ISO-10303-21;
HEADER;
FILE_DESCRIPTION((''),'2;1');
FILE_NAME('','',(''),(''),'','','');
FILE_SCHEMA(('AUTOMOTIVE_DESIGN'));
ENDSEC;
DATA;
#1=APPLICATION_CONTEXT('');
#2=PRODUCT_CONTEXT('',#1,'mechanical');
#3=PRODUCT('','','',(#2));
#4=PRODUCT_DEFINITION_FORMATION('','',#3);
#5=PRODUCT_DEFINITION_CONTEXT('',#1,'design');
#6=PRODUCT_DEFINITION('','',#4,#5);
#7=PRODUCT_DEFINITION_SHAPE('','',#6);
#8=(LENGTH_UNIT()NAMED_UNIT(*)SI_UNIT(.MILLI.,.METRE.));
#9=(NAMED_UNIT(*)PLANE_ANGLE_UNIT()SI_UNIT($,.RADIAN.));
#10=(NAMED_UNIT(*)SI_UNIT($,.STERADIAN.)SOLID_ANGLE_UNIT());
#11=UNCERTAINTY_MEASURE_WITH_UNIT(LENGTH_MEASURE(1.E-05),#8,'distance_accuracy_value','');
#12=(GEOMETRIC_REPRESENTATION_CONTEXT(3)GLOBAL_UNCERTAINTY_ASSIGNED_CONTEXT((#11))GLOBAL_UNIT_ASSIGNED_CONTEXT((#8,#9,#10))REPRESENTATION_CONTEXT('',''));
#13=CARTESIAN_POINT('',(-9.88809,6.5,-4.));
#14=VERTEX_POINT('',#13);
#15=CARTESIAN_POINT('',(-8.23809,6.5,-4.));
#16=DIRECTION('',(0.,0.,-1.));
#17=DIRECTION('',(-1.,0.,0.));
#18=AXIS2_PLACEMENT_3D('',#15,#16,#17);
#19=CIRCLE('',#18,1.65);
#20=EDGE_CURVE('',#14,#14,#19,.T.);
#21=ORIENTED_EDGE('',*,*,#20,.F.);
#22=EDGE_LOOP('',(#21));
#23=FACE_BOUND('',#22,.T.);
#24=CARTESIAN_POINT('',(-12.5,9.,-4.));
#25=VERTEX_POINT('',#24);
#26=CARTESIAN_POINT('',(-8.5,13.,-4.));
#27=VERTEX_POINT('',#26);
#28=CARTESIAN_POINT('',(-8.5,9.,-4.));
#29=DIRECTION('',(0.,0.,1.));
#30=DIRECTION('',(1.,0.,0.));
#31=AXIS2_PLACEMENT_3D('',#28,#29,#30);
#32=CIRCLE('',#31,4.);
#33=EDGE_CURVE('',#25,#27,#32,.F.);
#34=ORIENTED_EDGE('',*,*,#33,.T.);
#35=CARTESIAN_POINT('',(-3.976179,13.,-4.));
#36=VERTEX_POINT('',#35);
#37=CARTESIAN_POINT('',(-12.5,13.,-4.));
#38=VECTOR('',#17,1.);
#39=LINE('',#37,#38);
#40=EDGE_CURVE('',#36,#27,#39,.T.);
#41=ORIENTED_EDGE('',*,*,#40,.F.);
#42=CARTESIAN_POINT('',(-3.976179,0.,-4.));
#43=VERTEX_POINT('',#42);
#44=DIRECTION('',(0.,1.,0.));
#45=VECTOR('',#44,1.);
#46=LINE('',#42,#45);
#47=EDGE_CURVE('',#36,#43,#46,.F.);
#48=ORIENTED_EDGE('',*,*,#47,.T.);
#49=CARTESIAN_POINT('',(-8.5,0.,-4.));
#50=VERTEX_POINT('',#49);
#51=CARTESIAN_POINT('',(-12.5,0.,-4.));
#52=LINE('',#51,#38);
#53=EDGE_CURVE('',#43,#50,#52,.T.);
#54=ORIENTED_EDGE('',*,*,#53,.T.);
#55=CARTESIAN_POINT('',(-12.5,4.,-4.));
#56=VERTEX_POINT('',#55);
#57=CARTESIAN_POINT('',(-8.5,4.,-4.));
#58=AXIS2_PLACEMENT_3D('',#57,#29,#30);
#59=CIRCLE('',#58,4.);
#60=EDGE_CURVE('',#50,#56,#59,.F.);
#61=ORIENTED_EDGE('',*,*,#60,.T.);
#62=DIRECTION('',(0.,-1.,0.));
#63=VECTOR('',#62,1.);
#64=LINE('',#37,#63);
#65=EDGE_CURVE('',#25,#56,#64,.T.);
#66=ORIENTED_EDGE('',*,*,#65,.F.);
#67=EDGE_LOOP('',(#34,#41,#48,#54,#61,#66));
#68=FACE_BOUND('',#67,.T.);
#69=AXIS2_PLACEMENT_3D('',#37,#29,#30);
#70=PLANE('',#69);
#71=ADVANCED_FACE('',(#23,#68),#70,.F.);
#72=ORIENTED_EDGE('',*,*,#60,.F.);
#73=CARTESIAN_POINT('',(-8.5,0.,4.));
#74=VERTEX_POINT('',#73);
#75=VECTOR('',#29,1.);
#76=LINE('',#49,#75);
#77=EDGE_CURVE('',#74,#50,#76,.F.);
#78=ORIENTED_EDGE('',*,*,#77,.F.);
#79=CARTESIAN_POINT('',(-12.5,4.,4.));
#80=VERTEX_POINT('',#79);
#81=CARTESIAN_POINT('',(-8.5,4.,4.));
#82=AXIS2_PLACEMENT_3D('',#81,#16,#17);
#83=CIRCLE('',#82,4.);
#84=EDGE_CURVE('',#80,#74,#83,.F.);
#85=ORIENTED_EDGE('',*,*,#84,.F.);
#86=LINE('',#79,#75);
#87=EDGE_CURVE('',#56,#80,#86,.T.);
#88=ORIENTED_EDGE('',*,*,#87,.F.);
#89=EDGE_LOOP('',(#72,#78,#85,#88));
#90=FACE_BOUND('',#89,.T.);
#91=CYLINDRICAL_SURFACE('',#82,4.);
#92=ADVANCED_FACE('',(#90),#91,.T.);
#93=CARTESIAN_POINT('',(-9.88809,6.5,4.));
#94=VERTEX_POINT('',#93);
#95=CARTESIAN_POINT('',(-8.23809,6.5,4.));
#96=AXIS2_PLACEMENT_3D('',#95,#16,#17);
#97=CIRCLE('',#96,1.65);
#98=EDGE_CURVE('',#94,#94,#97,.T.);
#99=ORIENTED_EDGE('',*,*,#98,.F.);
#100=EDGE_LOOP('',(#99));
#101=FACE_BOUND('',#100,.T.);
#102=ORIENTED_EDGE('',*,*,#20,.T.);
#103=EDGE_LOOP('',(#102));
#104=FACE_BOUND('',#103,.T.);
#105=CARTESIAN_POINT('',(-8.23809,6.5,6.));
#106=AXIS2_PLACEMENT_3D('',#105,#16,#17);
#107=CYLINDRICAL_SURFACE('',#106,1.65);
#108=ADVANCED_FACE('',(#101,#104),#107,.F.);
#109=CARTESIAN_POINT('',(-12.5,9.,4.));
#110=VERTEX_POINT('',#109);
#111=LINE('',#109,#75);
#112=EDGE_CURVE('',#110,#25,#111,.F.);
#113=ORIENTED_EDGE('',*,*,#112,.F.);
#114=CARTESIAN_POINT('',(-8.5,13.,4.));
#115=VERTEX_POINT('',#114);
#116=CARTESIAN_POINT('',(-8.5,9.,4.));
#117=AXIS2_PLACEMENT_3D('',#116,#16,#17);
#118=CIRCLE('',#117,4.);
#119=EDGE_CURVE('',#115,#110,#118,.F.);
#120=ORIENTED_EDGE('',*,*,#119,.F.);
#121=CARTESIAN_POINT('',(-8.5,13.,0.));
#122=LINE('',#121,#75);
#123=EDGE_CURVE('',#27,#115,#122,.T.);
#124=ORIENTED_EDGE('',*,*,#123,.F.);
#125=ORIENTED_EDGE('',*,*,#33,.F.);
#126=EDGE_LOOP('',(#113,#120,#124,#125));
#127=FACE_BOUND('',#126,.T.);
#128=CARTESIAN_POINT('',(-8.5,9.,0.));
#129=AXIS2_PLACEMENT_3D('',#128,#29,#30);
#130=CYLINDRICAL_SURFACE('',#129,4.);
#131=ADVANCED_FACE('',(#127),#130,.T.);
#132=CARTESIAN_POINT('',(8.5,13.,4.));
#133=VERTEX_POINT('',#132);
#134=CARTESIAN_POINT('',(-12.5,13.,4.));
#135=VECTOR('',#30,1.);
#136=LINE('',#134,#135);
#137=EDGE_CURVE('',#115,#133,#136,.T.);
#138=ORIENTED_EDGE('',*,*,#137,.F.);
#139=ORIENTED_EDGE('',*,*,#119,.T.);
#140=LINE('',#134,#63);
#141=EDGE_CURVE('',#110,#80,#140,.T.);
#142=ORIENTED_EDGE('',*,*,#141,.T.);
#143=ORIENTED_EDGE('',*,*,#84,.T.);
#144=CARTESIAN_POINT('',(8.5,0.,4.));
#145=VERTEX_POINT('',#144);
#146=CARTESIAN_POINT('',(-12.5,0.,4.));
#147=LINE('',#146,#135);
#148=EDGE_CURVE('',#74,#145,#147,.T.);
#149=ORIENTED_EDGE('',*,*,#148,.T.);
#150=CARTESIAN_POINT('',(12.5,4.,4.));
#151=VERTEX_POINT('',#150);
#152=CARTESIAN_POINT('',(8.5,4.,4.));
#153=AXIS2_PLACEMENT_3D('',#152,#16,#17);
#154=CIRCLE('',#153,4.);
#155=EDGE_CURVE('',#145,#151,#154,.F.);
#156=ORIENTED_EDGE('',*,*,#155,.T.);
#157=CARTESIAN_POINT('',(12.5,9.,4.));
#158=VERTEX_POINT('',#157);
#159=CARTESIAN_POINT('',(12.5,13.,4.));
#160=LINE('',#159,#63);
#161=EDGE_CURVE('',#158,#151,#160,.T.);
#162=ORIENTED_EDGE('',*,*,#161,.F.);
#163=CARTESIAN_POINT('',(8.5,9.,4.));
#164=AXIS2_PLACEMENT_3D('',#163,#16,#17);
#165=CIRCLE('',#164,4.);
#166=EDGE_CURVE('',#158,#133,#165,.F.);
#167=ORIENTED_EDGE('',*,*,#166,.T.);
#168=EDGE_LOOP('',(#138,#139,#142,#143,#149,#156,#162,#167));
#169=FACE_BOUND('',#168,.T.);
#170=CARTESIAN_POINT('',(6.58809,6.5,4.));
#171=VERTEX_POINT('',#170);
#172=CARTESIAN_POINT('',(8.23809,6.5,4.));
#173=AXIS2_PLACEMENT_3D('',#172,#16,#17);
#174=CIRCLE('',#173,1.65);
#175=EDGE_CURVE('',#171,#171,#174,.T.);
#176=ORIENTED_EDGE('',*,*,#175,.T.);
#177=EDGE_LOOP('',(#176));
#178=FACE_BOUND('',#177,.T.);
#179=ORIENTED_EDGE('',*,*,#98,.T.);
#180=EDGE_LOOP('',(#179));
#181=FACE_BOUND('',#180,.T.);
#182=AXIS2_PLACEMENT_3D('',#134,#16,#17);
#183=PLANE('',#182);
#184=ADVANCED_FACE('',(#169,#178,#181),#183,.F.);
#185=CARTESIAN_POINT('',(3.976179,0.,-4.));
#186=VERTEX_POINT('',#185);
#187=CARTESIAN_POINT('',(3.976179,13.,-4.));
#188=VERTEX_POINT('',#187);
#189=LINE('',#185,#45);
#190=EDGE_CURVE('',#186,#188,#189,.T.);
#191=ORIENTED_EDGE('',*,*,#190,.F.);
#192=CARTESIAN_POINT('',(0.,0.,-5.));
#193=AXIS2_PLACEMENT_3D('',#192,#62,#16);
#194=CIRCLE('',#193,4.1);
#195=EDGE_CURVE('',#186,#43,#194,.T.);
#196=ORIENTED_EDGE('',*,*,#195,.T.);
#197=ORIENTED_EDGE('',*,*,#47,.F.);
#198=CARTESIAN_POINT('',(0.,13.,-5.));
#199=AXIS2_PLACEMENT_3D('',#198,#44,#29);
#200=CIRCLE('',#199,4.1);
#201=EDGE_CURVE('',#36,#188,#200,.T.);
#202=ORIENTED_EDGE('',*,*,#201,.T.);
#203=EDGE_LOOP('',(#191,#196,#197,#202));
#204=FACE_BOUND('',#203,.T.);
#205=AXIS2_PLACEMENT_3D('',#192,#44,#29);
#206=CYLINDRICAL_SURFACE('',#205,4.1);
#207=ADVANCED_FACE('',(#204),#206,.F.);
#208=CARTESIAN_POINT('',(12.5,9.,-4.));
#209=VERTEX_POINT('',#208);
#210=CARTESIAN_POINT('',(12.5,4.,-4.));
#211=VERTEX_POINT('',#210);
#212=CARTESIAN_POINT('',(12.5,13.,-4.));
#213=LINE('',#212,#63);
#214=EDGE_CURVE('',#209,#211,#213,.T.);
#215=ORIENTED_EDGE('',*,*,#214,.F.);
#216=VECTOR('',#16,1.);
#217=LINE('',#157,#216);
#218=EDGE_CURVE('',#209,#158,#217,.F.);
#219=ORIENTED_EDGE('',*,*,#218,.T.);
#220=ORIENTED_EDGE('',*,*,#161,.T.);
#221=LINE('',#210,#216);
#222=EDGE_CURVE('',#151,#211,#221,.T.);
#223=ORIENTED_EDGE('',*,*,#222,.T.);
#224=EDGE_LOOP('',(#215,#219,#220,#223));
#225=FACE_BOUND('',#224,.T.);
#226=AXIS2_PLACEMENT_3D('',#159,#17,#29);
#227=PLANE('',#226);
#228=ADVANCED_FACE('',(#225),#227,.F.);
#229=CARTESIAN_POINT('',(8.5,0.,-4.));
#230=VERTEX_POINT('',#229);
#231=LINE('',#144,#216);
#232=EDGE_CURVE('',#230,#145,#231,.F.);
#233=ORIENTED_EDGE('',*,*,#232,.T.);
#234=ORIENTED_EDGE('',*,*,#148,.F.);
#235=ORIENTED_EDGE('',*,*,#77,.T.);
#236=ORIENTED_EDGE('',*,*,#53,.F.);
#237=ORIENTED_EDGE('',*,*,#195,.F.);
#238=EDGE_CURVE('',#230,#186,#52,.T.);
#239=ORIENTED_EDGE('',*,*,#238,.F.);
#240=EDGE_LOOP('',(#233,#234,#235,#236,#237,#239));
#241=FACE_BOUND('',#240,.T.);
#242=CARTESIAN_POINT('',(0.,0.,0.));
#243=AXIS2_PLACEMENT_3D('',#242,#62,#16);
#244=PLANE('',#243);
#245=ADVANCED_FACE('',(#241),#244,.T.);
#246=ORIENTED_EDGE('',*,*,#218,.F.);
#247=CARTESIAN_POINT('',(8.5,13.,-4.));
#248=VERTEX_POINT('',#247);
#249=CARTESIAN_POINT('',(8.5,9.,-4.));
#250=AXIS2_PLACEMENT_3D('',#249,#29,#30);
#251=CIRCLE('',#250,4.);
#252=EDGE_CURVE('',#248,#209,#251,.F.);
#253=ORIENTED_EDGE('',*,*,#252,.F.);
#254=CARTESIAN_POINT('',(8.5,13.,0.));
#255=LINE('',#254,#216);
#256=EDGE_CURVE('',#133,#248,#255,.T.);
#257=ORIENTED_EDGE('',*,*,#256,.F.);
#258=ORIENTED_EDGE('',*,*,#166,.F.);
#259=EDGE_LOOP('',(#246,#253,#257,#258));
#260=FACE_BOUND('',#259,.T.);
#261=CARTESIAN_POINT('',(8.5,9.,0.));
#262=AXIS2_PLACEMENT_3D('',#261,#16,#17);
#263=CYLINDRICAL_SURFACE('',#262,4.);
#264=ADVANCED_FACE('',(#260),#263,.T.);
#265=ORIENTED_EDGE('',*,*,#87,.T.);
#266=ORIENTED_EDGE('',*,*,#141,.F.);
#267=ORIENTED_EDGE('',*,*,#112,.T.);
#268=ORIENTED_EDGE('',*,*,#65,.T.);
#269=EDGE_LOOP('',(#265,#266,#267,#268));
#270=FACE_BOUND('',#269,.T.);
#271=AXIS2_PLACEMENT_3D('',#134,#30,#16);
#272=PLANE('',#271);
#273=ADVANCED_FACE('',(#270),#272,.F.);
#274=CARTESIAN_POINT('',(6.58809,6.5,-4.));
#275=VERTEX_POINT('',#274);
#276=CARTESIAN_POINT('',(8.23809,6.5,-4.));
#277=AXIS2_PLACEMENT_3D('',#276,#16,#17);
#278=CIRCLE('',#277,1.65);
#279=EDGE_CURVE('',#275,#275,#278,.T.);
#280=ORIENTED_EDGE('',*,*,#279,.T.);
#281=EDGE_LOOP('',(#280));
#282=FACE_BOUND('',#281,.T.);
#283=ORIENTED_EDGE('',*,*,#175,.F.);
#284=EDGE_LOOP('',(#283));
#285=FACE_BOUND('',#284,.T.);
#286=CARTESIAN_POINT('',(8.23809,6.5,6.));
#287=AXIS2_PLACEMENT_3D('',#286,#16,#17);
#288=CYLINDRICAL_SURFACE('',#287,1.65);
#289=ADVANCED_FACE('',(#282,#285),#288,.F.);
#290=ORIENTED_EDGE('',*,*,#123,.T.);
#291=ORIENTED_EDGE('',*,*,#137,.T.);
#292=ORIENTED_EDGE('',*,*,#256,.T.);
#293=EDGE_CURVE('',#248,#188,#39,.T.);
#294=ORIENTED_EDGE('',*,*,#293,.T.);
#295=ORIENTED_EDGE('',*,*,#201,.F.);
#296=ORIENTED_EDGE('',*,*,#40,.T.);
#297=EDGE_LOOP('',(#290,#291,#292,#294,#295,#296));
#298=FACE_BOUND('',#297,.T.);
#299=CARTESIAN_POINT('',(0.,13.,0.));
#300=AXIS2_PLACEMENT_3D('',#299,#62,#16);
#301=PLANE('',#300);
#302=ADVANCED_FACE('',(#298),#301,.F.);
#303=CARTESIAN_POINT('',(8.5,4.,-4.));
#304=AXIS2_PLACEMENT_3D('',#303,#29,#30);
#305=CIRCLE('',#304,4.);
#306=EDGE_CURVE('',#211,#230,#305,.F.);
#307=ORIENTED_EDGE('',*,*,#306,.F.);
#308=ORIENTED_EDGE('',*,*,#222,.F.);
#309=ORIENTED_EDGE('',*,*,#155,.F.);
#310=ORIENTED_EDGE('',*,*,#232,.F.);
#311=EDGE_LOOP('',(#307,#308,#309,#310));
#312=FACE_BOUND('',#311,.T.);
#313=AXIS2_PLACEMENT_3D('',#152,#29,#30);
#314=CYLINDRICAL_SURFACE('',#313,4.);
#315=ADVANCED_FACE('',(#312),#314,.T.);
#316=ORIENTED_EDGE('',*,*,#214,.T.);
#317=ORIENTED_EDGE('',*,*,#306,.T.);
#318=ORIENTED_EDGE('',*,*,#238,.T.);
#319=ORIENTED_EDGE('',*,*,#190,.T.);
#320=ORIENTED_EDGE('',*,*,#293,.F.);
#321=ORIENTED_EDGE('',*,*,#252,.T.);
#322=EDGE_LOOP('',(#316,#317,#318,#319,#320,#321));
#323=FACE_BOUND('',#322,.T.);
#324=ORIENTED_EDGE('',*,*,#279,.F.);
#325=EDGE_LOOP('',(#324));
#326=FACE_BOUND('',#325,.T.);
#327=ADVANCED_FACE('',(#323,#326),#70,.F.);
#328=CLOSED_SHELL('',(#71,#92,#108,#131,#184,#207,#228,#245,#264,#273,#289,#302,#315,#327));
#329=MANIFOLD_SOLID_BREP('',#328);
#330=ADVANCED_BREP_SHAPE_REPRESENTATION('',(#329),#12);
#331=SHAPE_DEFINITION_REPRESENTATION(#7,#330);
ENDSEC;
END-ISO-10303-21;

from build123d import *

# Parameters (mm, degrees)
SKETCH1_W           = 25
SKETCH1_H           = 8
BOSS_EXTRUDE1_DEPTH = 13
SKETCH2_R           = 4.1
CUT_EXTRUDE1_DEPTH  = 19.472953202
SKETCH3_R           = 1.65
CUT_EXTRUDE2_DEPTH  = 10
FILLET2_R           = 4


with BuildPart() as part:
    # Sketch1 → Boss-Extrude1 (new body)
    with BuildSketch(Plane(origin=(0, 0, 0), x_dir=(1, 0, 0), z_dir=(0, 1, 0))):
        Rectangle(SKETCH1_W, SKETCH1_H)
    extrude(amount=BOSS_EXTRUDE1_DEPTH)

    # Sketch2 → Cut-Extrude1 (cut, through all)
    with BuildSketch(Plane(origin=(0, 13, 0), x_dir=(1, 0, 0), z_dir=(0, 1, 0))):
        with Locations((0, 5)):
            Circle(SKETCH2_R)
    extrude(amount=-CUT_EXTRUDE1_DEPTH, mode=Mode.SUBTRACT)

    # Sketch3 → Cut-Extrude2 (cut)
    with BuildSketch(Plane(origin=(0, 0, -4), x_dir=(-1, 0, 0), z_dir=(0, 0, -1))):
        with Locations((8.238089535, 6.5)):
            Circle(SKETCH3_R)
        with Locations((-8.238089535, 6.5)):
            Circle(SKETCH3_R)
    extrude(amount=-CUT_EXTRUDE2_DEPTH, mode=Mode.SUBTRACT)

    # Fillet2
    fillet2_edges = [part.edges().sort_by_distance(p)[0] for p in [
        (-12.5, 13, 0),
        (12.5, 13, 0),
        (-12.5, 0, 0),
        (12.5, 0, 0),
    ]]
    fillet(fillet2_edges, radius=FILLET2_R)


solid = part.part
